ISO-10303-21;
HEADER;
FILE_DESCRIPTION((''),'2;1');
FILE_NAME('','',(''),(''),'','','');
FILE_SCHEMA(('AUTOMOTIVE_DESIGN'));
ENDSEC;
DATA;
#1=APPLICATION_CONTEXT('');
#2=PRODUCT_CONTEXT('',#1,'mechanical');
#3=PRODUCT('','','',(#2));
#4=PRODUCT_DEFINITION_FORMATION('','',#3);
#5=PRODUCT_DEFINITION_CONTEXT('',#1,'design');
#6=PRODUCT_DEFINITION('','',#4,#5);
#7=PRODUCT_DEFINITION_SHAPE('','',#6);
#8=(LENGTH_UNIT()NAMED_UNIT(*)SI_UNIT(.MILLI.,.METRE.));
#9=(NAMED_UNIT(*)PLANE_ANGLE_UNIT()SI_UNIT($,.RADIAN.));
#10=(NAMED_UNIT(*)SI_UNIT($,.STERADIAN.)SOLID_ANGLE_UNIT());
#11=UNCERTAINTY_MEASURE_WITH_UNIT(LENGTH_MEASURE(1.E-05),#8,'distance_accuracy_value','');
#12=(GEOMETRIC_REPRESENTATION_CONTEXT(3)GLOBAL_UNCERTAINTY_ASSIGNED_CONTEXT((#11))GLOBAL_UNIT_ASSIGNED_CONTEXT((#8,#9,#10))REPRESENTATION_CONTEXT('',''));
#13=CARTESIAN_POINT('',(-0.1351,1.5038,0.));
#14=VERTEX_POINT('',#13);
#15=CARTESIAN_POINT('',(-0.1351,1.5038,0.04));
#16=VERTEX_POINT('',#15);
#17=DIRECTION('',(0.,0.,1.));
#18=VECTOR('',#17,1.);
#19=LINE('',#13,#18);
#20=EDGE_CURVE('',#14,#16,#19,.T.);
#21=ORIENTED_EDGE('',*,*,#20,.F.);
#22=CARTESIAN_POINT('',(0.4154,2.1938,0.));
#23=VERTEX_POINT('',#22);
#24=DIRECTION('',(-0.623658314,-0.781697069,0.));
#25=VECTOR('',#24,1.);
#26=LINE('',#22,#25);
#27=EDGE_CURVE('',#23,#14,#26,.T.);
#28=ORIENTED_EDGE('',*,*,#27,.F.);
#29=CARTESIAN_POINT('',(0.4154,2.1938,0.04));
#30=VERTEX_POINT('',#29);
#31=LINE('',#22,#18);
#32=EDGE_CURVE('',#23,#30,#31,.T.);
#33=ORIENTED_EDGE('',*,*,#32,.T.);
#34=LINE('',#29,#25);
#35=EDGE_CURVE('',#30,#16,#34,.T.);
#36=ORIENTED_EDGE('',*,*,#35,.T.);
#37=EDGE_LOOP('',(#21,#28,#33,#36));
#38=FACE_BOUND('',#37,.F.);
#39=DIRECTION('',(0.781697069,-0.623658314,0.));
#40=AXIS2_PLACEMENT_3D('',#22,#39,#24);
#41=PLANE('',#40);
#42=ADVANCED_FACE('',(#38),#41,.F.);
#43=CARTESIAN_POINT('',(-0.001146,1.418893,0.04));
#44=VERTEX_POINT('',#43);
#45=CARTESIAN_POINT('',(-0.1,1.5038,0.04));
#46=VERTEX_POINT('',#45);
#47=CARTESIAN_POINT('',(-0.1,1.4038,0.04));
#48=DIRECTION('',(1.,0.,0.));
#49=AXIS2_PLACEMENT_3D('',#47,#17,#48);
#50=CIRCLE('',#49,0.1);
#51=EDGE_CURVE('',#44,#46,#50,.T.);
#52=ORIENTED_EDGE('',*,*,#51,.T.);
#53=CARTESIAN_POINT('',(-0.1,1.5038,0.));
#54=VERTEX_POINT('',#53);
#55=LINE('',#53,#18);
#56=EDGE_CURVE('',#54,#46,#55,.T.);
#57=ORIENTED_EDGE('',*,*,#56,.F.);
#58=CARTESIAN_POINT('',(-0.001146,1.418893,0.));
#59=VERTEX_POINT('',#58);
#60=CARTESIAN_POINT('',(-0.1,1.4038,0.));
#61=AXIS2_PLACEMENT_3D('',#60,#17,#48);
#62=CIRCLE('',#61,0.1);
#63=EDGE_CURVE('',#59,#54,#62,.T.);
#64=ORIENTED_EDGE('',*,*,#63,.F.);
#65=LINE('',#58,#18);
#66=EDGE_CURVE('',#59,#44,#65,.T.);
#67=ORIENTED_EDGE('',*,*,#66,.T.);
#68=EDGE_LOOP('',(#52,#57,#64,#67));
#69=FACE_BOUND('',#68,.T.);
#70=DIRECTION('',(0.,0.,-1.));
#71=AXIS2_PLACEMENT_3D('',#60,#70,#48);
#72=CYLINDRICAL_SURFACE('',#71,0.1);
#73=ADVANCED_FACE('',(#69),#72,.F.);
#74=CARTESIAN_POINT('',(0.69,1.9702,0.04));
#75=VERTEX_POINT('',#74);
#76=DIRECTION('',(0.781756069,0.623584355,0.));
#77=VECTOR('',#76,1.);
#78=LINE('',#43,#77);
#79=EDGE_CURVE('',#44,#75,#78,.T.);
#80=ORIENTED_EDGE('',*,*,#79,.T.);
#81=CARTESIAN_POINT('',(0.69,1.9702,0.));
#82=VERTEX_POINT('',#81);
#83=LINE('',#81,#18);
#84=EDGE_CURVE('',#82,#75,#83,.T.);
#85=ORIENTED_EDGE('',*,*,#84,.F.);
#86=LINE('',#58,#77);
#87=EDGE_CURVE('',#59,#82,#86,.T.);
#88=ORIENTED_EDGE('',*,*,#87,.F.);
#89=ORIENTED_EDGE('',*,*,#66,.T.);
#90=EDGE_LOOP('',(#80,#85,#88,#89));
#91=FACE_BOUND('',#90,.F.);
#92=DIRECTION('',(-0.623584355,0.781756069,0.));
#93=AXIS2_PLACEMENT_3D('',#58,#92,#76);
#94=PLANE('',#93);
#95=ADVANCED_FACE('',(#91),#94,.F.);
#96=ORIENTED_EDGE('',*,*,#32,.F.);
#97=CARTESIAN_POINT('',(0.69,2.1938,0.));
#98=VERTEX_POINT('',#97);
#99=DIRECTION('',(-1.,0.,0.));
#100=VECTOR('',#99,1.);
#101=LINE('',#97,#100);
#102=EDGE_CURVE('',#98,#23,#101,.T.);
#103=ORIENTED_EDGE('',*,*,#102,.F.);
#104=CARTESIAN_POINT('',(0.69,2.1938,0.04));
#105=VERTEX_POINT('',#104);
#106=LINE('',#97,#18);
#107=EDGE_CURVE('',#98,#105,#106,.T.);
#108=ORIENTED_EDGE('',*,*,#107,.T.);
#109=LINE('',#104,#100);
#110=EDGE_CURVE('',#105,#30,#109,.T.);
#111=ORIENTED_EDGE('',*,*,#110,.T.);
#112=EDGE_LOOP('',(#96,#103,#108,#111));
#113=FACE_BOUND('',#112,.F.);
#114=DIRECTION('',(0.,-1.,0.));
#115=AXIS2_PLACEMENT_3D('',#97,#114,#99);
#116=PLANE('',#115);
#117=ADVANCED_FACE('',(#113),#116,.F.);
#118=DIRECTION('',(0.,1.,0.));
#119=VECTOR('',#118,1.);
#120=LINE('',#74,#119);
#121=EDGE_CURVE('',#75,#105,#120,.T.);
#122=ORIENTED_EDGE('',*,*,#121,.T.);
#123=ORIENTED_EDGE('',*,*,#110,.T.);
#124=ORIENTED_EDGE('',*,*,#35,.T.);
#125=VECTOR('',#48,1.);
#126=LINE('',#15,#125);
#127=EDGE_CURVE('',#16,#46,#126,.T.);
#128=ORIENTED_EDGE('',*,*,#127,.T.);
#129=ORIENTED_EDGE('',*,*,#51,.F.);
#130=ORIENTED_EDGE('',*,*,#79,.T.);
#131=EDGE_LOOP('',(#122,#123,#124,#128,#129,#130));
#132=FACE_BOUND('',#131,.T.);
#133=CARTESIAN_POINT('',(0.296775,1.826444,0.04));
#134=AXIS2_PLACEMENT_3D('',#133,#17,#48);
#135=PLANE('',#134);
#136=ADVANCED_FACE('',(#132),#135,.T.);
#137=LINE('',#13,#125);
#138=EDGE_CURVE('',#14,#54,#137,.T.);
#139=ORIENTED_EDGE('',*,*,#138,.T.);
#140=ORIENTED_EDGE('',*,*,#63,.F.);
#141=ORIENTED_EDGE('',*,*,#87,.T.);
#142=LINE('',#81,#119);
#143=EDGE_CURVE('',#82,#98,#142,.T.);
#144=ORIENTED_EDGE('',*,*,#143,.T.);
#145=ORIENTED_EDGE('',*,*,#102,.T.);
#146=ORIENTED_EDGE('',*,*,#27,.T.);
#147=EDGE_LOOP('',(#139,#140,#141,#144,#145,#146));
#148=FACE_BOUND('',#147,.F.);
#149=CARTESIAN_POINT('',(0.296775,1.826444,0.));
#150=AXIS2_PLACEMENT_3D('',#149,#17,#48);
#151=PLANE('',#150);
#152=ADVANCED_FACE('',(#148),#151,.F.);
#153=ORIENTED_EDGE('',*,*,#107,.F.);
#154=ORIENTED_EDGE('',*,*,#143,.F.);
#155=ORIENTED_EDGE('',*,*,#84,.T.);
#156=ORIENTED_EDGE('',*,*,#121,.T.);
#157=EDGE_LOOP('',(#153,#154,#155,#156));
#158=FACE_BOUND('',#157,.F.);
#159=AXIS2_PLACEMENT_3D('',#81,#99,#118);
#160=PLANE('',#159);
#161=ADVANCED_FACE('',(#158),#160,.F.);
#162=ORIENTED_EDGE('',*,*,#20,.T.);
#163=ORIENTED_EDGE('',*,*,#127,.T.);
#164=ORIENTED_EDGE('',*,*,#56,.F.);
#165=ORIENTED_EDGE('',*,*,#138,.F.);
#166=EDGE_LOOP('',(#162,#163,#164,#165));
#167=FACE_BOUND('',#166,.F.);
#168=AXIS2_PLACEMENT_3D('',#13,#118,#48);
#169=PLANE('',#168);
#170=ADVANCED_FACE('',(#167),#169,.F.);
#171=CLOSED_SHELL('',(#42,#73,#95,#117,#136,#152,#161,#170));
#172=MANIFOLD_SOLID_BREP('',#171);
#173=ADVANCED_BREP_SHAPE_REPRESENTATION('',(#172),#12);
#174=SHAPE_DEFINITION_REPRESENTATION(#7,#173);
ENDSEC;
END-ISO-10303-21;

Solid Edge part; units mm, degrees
sketch "Sketch1" plane through (0, 0, 0) normal (0, 0, 1) x (1, 0, 0)
  line L0 (-0.0011, 1.4189) -> (0.69, 1.9702)
  line L1 (0.69, 1.9702) -> (0.69, 2.1938)
  line L2 (0.69, 2.1938) -> (0.4154, 2.1938)
  line L3 (0.4154, 2.1938) -> (-0.1351, 1.5038)
  line L4 (-0.1351, 1.5038) -> (-0.1, 1.5038)
  arc A0 (-0.0011, 1.4189) -> (-0.1, 1.5038) centre (-0.1, 1.4038) ccw
extrude "Protrusion1" add sketch "Sketch1" along normal blind 0.04
